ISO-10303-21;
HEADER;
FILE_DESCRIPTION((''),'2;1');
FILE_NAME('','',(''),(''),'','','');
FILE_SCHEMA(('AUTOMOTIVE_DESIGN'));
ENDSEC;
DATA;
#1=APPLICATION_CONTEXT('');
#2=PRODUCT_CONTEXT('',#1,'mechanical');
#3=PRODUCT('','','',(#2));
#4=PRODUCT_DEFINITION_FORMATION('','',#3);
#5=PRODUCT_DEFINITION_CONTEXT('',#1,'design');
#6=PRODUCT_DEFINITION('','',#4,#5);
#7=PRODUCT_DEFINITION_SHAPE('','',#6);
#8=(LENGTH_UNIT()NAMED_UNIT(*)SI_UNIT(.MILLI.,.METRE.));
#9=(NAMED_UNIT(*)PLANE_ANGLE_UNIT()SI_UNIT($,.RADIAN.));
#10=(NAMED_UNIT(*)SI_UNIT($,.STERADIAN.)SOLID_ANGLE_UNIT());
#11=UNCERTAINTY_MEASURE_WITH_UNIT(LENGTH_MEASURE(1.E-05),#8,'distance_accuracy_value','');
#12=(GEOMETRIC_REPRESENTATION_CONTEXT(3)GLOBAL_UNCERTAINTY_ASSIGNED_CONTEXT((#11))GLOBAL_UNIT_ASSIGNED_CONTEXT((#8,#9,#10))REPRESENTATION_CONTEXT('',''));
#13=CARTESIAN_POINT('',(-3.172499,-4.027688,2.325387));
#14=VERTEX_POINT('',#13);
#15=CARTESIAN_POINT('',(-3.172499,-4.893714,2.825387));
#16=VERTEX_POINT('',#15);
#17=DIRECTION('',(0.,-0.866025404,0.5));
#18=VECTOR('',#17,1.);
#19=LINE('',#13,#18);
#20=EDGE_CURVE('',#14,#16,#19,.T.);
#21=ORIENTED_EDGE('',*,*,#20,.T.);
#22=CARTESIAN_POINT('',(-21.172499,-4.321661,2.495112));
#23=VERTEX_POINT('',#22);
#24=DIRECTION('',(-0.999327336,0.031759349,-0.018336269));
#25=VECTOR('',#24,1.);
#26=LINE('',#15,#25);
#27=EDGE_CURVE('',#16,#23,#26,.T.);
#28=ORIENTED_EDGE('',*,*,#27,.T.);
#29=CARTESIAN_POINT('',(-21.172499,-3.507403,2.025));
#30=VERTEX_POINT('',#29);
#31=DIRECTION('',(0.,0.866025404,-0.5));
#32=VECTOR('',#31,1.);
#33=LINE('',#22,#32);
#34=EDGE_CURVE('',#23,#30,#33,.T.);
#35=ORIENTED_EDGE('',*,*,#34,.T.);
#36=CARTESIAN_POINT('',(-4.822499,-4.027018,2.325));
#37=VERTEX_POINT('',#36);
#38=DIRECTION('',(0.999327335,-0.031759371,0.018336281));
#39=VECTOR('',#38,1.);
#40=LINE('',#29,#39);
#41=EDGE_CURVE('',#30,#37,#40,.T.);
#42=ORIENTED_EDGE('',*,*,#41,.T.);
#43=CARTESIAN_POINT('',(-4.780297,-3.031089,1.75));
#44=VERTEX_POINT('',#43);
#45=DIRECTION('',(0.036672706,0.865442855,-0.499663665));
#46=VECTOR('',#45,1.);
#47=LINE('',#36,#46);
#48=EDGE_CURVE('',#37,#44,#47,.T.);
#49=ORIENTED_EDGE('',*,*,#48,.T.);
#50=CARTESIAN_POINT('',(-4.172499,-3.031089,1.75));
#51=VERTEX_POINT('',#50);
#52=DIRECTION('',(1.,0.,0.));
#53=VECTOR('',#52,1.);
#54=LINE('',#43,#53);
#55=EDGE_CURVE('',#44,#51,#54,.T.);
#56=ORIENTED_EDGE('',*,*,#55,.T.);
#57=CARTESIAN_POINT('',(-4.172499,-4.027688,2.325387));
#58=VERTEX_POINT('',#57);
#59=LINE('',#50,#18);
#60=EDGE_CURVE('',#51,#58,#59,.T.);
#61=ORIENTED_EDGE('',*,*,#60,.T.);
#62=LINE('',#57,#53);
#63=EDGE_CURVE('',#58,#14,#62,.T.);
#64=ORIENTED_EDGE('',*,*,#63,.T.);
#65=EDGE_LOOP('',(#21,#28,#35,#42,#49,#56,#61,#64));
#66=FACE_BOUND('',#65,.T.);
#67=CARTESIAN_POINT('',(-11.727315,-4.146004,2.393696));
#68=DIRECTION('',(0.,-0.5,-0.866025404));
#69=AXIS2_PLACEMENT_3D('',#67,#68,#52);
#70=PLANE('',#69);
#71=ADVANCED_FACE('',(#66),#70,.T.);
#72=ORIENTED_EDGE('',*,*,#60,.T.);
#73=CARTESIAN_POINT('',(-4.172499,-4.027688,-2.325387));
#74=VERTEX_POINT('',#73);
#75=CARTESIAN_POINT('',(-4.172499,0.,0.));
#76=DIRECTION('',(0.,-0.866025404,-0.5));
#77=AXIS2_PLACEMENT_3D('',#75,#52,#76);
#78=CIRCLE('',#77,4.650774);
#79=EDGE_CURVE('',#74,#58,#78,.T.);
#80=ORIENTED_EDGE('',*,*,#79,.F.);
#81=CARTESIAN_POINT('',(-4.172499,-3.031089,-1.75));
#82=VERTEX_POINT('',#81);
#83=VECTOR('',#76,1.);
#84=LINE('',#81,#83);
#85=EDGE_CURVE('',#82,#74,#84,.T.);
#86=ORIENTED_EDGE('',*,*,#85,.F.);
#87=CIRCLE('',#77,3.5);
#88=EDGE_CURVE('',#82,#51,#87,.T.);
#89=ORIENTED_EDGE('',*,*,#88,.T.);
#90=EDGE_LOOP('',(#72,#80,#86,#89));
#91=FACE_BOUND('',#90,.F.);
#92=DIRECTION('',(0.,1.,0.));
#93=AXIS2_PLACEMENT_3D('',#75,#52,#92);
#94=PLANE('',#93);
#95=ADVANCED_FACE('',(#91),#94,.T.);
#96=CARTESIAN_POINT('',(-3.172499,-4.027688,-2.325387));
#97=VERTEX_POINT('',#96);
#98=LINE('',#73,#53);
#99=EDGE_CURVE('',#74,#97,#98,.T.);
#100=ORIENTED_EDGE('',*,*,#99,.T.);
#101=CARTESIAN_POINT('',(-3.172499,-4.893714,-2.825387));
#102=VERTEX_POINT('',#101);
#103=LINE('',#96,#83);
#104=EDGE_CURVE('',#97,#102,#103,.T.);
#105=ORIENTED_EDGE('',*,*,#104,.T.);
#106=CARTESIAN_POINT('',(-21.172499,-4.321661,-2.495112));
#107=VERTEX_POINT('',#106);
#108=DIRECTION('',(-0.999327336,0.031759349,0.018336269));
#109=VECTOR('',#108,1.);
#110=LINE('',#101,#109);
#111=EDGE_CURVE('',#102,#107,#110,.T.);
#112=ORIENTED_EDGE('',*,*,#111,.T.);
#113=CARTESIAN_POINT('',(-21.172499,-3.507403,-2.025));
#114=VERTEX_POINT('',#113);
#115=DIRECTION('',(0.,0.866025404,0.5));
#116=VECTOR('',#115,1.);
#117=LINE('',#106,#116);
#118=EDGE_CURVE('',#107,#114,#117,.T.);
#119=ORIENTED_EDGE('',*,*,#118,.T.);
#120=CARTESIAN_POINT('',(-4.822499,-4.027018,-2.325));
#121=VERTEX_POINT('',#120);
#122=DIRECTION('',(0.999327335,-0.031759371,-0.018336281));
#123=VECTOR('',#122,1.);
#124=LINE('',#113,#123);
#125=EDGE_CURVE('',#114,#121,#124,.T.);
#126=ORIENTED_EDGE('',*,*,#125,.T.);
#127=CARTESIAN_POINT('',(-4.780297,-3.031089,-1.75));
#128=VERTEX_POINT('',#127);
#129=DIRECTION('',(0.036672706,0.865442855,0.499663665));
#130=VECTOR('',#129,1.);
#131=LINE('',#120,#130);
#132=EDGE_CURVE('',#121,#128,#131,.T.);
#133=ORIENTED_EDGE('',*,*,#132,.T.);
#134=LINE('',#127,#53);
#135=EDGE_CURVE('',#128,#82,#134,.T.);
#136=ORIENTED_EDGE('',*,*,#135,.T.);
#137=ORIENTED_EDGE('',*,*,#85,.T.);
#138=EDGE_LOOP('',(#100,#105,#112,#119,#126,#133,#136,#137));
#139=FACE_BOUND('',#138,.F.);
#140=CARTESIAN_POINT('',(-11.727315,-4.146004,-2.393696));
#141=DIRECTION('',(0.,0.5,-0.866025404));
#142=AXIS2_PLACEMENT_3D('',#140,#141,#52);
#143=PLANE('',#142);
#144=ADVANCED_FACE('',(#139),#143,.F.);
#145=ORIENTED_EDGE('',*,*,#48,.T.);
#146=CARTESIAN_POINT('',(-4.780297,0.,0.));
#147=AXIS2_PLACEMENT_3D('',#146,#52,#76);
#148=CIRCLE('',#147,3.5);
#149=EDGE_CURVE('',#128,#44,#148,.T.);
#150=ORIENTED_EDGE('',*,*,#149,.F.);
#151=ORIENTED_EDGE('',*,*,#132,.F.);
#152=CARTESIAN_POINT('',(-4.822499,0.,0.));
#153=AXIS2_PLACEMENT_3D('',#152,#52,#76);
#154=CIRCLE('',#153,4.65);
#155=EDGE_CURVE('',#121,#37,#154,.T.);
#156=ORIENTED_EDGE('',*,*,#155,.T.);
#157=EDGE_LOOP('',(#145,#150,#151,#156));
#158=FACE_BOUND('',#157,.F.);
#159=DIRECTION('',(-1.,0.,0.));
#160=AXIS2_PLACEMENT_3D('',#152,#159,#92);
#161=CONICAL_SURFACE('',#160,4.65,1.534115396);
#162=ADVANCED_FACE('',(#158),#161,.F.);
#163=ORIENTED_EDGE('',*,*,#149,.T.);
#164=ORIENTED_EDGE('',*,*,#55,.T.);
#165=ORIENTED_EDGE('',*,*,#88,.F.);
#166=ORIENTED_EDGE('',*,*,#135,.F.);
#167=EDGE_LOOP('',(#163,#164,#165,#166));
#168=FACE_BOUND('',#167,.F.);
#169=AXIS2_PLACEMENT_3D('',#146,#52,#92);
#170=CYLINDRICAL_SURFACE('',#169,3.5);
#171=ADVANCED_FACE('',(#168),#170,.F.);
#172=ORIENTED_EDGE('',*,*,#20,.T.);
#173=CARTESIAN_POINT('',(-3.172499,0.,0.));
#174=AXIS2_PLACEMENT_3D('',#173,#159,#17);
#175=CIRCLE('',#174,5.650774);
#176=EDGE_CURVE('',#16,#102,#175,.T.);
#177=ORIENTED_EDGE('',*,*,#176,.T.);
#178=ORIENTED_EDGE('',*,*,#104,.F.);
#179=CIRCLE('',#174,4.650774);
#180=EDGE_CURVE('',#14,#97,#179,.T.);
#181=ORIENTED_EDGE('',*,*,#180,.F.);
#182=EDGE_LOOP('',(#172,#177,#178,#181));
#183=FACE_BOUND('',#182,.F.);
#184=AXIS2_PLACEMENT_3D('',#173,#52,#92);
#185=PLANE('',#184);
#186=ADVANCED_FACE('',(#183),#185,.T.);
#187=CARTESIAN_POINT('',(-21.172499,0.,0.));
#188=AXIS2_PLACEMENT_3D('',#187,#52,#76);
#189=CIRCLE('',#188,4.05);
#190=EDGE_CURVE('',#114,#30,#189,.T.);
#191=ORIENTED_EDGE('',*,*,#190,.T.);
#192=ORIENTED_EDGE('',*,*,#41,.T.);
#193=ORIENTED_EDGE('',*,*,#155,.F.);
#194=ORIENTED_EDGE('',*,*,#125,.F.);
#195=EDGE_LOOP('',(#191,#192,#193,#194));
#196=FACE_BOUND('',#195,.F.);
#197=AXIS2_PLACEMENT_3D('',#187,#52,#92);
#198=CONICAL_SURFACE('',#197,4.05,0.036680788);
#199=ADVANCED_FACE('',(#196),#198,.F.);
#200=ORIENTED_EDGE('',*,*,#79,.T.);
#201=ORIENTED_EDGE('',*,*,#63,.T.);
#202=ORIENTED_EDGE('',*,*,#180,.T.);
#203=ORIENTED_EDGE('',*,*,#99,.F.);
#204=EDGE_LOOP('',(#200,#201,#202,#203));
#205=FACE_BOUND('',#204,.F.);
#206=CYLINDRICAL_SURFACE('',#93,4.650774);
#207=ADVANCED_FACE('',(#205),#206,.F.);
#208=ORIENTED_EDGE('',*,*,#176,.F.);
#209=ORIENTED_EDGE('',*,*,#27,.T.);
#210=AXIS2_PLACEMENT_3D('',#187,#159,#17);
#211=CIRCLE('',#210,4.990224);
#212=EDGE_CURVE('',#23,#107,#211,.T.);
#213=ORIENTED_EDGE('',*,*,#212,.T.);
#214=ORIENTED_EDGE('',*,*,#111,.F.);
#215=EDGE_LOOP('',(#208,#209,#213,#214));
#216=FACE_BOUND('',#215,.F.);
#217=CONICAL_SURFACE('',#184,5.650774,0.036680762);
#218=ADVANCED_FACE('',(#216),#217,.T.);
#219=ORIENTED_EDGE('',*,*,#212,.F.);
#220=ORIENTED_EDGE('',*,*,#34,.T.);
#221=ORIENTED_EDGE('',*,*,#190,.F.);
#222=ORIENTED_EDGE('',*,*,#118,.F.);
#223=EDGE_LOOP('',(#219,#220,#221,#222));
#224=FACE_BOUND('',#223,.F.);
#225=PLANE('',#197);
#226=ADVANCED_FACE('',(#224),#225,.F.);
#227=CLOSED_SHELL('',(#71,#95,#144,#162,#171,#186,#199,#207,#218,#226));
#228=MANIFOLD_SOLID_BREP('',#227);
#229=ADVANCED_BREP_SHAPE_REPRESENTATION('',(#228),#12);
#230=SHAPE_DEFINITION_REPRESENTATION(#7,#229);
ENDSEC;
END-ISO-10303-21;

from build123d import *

# Parameters (mm, degrees)
F1_ANGLE = 300


with BuildPart() as f1:
    # F0 (on Top) → F1 (revolve, symmetric)
    with BuildSketch(Plane.XY) as f1_sk:
        Polygon((-21.172499, 4.990224), (-21.172499, 4.05), (-4.822499, 4.65), (-4.780297, 3.5), (-4.172499, 3.5), (-4.172499, 4.650774), (-3.172499, 4.650774), (-3.172499, 5.650774), align=None)
    revolve(axis=Axis((-11.689553, 0, 0), (-1, 0, 0)), revolution_arc=F1_ANGLE / 2)
    revolve(f1_sk.sketch, axis=Axis((-11.689553, 0, 0), (1, 0, 0)), revolution_arc=F1_ANGLE / 2)


solid = f1.part
